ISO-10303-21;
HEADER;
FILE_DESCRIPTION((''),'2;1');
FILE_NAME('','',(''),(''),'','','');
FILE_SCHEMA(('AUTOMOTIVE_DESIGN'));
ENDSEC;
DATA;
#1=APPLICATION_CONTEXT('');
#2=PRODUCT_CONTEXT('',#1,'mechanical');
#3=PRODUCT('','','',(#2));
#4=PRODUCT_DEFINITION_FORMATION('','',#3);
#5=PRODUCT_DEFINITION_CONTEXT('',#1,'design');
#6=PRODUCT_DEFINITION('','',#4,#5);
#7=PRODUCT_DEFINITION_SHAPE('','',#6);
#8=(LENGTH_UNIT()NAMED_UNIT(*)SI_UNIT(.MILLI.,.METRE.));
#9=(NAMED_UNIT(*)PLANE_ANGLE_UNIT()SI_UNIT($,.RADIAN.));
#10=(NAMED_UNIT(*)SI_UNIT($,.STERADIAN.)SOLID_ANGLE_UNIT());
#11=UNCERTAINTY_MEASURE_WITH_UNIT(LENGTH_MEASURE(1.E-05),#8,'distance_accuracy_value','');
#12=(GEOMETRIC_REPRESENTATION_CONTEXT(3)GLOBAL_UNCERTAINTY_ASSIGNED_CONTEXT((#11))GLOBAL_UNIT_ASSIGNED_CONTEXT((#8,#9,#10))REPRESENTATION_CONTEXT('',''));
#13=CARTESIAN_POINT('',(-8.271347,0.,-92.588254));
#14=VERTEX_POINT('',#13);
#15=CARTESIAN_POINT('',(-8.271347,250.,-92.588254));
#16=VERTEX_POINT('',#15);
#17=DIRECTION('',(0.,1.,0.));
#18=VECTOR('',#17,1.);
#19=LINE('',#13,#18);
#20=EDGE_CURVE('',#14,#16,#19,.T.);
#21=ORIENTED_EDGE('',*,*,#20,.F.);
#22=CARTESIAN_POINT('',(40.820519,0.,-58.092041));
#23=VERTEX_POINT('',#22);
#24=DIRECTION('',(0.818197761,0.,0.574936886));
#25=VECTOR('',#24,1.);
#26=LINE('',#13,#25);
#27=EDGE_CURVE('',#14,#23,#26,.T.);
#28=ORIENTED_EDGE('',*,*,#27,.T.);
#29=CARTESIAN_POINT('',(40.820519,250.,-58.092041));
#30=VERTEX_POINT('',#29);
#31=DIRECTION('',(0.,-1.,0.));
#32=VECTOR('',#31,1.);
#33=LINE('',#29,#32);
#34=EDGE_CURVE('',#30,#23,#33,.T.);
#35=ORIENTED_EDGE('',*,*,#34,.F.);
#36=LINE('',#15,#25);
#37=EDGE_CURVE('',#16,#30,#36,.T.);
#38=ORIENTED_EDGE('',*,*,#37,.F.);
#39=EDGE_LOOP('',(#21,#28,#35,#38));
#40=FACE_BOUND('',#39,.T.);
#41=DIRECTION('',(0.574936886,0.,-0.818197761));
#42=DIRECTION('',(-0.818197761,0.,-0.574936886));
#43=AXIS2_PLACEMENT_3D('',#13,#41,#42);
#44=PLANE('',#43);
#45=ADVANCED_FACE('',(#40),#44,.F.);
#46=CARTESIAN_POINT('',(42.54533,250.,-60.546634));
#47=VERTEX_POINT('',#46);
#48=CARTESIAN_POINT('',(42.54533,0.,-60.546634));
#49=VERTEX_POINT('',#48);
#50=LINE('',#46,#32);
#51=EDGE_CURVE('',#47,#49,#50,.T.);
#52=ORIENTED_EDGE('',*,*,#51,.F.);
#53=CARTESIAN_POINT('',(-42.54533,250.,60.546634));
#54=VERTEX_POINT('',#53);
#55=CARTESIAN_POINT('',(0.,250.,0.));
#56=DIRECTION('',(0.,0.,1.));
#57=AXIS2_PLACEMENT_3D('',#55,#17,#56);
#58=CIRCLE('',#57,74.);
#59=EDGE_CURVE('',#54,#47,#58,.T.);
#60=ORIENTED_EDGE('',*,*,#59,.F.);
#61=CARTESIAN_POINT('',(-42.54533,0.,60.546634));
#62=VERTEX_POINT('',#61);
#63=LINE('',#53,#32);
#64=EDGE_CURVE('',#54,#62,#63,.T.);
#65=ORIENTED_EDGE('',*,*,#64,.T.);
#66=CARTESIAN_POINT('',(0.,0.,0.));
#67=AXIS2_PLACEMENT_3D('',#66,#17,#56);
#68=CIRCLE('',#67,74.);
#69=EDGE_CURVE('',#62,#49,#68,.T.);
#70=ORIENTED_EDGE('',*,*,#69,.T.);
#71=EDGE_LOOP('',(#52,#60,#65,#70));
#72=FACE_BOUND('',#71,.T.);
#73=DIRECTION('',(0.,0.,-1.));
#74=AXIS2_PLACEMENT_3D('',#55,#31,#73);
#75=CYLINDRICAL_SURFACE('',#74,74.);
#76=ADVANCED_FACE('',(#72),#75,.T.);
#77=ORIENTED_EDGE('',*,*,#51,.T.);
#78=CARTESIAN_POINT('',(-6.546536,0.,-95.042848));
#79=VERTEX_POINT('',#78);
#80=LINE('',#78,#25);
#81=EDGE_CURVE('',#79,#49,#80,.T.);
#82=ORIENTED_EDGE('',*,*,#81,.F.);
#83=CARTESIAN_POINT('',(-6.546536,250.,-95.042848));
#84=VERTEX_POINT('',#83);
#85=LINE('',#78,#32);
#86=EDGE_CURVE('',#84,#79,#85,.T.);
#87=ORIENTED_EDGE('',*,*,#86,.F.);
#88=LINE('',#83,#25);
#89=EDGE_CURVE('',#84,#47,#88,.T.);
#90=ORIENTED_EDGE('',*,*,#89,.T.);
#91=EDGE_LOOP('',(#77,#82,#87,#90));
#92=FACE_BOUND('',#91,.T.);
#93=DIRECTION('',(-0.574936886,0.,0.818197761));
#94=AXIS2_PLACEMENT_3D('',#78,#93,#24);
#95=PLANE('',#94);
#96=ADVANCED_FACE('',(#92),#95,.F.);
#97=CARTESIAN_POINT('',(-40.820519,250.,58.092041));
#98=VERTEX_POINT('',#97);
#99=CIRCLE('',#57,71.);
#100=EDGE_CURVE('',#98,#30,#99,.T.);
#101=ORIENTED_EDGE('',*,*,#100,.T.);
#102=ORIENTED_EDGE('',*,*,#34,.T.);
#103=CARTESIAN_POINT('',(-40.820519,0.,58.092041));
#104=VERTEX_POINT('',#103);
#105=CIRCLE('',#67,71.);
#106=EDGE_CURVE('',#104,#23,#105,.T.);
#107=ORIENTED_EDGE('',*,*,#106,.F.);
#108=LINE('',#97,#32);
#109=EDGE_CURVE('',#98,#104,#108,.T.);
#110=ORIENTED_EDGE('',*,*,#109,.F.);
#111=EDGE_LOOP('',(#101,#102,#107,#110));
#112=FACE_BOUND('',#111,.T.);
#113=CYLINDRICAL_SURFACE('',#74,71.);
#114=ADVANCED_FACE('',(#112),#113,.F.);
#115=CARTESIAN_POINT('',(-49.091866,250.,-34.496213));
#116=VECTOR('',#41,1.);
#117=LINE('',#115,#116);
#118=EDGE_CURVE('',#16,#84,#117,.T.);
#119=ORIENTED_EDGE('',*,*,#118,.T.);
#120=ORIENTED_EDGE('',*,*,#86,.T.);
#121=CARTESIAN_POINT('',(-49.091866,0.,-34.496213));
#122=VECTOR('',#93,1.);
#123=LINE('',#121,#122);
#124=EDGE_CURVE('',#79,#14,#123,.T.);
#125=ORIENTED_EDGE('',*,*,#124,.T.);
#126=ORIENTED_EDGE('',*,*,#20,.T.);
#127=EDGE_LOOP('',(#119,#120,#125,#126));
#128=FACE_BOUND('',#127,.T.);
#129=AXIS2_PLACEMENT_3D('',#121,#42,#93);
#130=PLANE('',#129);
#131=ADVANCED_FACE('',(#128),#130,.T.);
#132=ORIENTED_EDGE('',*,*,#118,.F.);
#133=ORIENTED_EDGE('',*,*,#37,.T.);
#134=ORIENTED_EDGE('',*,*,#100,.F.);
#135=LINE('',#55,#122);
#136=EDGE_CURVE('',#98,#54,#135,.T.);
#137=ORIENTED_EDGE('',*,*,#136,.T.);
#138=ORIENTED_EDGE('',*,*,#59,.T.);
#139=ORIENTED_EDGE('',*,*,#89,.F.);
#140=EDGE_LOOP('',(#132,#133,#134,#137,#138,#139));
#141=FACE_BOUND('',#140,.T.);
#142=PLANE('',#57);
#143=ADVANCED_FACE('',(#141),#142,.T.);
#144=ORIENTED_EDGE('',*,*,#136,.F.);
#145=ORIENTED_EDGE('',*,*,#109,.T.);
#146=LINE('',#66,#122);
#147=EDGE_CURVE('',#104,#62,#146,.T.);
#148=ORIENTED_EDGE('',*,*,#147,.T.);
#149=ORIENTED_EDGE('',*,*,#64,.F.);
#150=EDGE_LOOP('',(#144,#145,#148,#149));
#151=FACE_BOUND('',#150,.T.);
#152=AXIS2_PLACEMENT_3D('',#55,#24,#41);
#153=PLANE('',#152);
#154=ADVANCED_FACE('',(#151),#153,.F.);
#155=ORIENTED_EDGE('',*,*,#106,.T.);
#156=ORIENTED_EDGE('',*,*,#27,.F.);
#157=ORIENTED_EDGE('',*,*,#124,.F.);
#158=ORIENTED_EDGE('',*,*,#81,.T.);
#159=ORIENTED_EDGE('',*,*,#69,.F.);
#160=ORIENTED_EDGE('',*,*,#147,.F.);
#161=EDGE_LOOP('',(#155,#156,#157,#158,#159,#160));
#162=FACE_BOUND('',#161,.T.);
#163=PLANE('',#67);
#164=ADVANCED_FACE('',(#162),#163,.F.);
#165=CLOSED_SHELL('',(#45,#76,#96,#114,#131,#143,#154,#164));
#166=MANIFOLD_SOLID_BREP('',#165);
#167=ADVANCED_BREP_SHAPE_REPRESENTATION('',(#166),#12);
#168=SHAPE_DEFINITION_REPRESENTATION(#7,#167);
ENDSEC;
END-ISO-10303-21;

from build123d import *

# Parameters (mm, degrees)
BOSS_EXTRU_1_DEPTH = 250
ESQUISSE7_W        = 3
ESQUISSE7_H        = 250
BOSS_EXTRU_4_DEPTH = 60


with BuildPart() as part:
    # Esquisse1 → Boss.-Extru.1 (new body)
    with BuildSketch(Plane(origin=(0, 0, 0), x_dir=(1, 0, 0), z_dir=(0, 1, 0))):
        with BuildLine():
            ThreePointArc((74, 0), (65.667169842, 34.11484728), (42.545329596, 60.546634337))
            Line((42.545329596, 60.546634337), (40.820518937, 58.092041053))
            ThreePointArc((40.820518937, 58.092041053), (63.004987281, 32.731812931), (71, 0))
            ThreePointArc((71, 0), (32.731812931, -63.004987281), (-40.820518937, -58.092041053))
            Line((-40.820518937, -58.092041053), (-42.545329596, -60.546634337))
            ThreePointArc((-42.545329596, -60.546634337), (34.11484728, -65.667169842), (74, 0))
        make_face()
    extrude(amount=BOSS_EXTRU_1_DEPTH)

    # Esquisse7 → Boss.-Extru.4 (add)
    with BuildSketch(Plane(origin=(0, 0, 0), x_dir=(-0.5749368864324517, 0, 0.8181977613140713), z_dir=(-0.8181977613140715, 0, -0.5749368864324517))):
        with Locations((-72.5, 125)):
            Rectangle(ESQUISSE7_W, ESQUISSE7_H)
    extrude(amount=BOSS_EXTRU_4_DEPTH)


solid = part.part
